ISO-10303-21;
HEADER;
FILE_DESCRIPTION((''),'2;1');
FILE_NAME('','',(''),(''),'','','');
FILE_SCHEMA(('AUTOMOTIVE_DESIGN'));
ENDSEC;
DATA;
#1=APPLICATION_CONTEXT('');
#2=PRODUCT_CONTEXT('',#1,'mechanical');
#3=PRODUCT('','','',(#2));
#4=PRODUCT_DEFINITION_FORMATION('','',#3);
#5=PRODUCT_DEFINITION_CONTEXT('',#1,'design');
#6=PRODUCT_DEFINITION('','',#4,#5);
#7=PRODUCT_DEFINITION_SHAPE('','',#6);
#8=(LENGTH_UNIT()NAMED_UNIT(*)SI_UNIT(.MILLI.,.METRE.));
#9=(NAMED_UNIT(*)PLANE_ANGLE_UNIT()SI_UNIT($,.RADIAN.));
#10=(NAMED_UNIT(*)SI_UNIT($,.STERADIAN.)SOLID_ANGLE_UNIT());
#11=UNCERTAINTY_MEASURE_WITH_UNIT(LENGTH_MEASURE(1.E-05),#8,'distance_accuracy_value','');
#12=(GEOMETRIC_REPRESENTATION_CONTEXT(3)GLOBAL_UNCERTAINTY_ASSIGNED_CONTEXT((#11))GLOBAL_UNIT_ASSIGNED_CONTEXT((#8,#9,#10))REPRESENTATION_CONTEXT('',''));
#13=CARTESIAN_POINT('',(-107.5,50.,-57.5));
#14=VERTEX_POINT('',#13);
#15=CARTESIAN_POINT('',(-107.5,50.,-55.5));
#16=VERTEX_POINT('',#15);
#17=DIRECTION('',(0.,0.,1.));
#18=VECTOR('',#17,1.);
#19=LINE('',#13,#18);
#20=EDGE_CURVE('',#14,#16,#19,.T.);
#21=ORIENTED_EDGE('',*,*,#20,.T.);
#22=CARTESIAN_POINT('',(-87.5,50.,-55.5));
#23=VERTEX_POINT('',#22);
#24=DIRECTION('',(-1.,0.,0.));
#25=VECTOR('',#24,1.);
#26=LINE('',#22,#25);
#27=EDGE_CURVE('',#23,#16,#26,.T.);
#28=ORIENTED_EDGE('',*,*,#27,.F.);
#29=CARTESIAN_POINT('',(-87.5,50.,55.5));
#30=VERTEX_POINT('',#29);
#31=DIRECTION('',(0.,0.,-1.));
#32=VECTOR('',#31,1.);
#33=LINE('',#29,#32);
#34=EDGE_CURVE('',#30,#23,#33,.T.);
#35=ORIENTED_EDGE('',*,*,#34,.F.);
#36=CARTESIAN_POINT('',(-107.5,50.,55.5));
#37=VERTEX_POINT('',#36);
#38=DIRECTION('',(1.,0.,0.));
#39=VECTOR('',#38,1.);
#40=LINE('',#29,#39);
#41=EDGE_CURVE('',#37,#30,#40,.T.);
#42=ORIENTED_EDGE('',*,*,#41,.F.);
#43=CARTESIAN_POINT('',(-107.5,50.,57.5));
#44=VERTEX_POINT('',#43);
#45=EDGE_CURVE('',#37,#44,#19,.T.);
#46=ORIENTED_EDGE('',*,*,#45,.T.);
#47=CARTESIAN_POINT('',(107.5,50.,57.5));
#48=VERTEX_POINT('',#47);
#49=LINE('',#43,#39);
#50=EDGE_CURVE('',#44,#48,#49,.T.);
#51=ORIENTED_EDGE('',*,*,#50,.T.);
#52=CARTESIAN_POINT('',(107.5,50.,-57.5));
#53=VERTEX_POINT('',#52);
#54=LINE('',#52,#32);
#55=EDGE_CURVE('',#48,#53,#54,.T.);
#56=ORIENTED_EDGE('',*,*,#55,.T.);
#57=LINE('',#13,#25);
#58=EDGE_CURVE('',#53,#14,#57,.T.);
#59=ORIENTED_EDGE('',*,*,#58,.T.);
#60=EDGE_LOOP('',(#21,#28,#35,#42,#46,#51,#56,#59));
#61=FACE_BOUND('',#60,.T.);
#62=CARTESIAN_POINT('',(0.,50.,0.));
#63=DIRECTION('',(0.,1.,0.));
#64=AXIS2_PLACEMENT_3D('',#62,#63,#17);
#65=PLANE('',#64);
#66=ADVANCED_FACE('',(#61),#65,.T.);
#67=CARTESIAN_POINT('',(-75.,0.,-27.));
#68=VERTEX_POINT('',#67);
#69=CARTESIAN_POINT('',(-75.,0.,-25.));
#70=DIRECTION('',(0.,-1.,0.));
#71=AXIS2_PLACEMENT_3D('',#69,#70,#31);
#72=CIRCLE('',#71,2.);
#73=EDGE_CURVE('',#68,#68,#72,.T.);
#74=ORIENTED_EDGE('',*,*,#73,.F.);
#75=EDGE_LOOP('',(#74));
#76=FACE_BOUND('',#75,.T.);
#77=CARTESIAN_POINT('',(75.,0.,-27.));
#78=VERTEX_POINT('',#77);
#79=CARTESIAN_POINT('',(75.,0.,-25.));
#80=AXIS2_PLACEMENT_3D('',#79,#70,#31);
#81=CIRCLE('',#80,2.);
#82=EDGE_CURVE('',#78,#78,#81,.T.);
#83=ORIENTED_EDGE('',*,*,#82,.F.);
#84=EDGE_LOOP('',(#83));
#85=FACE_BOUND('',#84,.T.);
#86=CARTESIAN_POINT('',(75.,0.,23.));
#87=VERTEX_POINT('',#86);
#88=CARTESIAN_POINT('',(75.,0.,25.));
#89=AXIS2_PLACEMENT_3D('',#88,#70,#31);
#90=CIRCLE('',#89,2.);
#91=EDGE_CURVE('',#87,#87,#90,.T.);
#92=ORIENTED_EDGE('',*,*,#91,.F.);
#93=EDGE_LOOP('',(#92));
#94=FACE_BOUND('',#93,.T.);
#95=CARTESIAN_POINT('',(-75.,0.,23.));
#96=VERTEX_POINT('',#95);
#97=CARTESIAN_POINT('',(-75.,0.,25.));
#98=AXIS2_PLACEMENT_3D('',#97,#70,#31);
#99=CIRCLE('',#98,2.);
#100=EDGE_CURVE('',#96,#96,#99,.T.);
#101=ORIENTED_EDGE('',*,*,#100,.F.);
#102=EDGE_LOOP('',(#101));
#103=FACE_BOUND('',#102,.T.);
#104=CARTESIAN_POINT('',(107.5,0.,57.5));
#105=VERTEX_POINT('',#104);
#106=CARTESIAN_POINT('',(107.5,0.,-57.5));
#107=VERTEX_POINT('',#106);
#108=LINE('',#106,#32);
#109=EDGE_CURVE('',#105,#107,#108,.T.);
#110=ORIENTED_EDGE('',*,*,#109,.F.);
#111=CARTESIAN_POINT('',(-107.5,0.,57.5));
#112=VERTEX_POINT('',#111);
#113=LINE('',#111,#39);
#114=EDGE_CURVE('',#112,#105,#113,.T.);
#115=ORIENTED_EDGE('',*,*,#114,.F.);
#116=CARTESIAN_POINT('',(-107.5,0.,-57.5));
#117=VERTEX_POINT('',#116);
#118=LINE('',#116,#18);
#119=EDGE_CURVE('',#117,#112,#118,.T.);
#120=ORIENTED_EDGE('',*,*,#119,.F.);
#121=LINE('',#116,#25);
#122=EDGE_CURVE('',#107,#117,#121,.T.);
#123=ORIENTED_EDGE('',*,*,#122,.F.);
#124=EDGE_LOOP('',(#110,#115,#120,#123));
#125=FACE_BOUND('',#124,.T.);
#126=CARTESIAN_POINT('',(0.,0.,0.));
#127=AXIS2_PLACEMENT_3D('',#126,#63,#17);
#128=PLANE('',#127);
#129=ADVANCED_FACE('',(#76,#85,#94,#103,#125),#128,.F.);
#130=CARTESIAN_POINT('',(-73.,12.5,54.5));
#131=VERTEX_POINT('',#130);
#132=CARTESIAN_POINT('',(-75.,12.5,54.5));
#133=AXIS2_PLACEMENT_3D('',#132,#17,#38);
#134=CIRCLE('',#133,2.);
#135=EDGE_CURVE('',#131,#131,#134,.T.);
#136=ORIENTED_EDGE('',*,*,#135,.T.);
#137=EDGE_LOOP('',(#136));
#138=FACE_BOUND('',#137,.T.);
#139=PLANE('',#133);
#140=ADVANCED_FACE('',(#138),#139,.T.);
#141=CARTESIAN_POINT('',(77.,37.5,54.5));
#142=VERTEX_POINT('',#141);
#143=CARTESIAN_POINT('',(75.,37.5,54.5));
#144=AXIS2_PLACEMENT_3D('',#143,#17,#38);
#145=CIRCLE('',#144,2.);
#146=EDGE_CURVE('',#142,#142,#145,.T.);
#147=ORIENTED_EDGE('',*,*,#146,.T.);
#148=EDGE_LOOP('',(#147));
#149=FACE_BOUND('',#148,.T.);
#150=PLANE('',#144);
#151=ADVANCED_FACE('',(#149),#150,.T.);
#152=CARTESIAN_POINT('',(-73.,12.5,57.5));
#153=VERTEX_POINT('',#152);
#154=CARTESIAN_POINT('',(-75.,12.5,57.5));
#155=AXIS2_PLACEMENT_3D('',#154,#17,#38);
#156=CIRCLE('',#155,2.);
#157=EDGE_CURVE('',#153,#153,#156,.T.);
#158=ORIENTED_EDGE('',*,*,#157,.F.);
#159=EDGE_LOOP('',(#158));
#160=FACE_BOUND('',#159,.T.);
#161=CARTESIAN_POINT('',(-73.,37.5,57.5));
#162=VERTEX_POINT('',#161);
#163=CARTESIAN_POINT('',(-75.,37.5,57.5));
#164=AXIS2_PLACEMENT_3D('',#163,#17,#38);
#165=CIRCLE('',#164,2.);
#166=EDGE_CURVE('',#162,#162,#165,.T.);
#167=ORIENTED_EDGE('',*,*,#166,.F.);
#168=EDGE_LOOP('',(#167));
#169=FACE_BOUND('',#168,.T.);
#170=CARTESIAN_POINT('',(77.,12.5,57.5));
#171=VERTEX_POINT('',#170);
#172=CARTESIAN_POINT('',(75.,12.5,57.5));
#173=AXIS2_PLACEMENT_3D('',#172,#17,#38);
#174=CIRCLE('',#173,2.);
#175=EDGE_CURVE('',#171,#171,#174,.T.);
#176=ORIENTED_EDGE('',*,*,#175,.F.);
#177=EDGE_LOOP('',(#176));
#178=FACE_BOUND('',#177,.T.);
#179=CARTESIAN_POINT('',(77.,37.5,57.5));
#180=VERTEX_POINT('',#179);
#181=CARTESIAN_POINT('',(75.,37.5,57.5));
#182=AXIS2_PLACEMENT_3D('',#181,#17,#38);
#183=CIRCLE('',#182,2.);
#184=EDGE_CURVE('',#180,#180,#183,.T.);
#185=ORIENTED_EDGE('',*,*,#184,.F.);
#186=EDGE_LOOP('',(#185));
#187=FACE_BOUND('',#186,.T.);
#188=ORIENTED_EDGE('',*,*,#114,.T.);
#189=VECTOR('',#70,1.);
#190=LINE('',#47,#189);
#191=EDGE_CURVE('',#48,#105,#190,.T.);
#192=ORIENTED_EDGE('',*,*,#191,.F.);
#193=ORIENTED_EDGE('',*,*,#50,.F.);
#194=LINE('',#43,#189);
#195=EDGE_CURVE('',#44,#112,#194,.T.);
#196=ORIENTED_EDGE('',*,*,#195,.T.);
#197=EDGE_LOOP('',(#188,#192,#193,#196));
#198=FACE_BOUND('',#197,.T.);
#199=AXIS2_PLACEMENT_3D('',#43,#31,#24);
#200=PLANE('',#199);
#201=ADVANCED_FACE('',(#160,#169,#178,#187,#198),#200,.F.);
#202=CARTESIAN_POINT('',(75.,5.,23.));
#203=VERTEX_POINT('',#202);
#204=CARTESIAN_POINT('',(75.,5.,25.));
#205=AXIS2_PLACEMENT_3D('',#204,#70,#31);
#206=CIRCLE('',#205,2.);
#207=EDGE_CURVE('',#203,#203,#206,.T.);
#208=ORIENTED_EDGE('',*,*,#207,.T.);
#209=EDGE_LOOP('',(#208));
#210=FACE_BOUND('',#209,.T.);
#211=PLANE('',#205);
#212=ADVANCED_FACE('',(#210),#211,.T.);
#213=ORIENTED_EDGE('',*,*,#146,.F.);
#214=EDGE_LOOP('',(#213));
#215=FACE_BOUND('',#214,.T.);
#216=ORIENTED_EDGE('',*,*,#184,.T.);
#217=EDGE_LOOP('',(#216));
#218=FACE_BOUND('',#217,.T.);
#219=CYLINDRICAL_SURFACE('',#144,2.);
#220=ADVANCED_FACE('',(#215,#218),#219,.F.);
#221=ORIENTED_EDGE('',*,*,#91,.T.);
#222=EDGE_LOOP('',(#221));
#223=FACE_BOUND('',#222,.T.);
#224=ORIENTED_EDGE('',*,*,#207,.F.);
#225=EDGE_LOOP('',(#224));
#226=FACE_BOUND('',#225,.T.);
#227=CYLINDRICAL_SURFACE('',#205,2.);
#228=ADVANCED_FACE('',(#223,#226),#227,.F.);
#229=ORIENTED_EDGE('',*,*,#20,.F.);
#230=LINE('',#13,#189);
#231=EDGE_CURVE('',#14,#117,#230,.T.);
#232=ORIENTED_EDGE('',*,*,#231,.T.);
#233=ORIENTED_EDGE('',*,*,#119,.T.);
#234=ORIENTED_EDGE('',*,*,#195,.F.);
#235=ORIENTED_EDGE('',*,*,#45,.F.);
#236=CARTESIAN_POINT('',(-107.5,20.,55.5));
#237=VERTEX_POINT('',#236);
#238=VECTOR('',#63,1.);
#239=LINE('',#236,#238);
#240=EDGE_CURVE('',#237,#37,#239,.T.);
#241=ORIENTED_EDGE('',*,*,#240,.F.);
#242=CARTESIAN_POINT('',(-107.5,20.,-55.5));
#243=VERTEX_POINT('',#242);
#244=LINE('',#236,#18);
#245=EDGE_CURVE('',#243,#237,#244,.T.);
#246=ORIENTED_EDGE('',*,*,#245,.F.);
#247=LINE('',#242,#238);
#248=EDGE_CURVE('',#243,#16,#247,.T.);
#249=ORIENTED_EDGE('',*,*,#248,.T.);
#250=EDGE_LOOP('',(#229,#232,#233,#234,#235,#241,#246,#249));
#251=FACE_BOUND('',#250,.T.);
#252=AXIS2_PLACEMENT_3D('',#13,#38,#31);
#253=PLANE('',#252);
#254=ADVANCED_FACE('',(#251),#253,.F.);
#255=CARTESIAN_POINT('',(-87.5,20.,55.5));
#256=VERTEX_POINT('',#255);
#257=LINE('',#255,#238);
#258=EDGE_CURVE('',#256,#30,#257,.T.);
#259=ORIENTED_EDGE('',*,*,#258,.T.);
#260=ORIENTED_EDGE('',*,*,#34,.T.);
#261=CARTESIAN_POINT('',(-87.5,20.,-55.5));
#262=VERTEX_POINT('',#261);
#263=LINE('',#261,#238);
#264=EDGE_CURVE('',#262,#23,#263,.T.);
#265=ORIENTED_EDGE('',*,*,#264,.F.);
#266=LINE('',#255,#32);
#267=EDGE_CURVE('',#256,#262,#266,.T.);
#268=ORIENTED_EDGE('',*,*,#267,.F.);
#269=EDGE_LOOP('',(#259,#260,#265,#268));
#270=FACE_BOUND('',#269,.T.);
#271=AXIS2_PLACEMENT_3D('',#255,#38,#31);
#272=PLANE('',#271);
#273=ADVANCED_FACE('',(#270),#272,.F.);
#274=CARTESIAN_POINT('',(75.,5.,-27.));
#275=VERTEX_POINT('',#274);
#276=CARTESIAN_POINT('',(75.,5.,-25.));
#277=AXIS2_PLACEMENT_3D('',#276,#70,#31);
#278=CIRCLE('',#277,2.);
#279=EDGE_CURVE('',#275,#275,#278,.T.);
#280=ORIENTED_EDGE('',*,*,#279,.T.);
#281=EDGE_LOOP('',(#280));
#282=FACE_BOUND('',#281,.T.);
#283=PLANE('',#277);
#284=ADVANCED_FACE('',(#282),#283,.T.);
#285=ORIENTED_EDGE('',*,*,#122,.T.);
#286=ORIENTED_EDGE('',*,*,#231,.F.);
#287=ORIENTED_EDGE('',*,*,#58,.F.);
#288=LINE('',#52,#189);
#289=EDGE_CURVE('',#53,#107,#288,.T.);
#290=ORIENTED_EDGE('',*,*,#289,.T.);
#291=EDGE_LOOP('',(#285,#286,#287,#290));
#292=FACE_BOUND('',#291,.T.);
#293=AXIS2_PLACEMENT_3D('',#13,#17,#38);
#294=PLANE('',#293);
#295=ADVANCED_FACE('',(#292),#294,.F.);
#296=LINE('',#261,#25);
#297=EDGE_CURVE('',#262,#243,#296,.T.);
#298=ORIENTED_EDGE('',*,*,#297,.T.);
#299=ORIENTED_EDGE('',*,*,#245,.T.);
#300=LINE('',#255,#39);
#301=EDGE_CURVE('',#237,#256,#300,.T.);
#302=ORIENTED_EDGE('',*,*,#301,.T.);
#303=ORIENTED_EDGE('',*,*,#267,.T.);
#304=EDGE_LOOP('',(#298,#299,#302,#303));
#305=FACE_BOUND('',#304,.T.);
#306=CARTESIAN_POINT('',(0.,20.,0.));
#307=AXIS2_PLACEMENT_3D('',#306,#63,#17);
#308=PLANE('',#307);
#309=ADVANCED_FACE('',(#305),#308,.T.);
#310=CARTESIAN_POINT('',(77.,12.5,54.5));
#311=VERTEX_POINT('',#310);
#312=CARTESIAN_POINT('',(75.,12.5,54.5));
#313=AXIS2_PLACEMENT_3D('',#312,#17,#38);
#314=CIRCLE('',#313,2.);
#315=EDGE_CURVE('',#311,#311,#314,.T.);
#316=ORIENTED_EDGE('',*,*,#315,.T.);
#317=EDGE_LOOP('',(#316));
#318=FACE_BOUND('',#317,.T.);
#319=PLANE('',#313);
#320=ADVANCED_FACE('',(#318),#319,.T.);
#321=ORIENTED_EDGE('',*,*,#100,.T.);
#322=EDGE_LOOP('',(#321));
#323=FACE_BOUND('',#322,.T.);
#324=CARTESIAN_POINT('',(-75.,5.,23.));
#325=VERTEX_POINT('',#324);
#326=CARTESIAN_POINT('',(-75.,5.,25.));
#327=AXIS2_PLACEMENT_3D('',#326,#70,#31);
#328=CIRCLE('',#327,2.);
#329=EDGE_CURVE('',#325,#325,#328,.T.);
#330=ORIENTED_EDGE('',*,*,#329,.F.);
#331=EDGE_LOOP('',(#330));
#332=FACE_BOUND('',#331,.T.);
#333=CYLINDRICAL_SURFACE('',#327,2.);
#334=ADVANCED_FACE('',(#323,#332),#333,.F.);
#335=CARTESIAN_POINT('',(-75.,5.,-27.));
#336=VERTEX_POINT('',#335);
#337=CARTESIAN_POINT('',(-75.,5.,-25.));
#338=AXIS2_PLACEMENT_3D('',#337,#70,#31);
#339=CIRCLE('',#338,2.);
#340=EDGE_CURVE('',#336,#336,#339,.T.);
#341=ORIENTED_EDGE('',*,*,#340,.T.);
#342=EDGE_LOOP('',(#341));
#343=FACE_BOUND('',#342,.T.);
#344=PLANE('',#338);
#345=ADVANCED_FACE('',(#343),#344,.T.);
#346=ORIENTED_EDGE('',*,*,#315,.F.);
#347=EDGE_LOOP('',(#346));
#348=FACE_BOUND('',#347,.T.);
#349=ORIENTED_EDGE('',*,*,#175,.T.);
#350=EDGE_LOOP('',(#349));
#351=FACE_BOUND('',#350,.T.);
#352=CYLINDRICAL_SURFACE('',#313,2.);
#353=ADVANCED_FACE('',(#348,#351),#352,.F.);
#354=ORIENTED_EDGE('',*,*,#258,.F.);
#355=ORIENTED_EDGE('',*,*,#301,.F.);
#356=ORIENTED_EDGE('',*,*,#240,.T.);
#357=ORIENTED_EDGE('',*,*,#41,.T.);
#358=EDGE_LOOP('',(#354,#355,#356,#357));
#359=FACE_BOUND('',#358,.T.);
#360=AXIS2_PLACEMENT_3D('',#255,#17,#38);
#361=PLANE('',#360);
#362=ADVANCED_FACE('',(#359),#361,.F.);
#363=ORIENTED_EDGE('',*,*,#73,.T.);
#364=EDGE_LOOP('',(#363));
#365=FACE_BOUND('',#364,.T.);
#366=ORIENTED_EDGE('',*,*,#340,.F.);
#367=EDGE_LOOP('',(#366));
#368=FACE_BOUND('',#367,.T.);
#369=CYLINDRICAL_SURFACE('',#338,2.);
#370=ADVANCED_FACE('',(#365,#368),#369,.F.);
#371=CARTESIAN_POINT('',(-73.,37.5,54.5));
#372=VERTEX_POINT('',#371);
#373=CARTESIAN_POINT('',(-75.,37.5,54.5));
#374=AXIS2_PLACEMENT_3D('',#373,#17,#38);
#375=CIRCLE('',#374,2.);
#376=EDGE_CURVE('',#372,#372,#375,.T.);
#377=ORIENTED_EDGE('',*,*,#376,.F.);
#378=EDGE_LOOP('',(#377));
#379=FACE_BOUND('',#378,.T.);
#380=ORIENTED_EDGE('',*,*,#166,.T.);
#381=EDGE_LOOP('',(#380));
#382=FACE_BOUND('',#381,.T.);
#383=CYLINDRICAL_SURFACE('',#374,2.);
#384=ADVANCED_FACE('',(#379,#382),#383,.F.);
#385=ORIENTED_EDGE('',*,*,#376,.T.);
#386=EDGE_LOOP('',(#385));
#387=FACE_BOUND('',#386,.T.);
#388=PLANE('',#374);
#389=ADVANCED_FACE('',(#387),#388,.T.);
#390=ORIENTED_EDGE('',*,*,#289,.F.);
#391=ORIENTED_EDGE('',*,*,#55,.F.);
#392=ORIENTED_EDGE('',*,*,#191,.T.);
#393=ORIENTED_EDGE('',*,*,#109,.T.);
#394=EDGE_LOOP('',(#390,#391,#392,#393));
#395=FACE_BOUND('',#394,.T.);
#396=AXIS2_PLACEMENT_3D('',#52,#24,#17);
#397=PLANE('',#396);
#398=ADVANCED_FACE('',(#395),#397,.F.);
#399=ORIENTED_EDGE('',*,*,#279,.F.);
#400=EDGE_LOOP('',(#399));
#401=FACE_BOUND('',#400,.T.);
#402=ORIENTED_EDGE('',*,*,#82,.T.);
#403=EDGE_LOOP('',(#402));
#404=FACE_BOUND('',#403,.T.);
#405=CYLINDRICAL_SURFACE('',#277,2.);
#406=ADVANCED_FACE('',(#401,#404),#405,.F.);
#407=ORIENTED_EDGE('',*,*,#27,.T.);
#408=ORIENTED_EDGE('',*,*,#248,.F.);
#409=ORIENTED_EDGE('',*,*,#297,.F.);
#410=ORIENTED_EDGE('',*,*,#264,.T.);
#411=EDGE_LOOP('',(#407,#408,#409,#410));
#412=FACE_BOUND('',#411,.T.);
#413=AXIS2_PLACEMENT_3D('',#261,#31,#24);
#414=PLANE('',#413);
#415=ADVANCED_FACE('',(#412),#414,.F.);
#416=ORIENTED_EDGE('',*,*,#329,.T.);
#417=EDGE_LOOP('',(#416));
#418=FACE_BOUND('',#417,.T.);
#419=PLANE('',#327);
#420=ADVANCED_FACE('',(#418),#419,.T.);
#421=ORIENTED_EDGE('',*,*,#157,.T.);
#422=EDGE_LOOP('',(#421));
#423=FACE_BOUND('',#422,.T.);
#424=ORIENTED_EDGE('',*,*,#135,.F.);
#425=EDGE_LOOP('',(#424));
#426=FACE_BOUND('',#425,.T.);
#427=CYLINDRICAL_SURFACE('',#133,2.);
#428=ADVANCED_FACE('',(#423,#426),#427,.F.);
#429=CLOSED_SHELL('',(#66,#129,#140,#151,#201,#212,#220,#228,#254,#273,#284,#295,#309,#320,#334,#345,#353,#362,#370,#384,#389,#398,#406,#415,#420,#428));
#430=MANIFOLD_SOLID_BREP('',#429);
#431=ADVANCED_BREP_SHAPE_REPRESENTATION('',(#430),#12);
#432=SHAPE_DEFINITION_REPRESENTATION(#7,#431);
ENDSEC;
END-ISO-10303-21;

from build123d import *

# Parameters (mm, degrees)
SKETCH1_W           = 215
SKETCH1_H           = 115
BOSS_EXTRUDE1_DEPTH = 50
SKETCH2_W           = 20
SKETCH2_H           = 111
CUT_EXTRUDE1_DEPTH  = 30
SKETCH3_R           = 2
CUT_EXTRUDE2_DEPTH  = 5
SKETCH4_R           = 2
CUT_EXTRUDE3_DEPTH  = 3


with BuildPart() as part:
    # Sketch1 → Boss-Extrude1 (new body)
    with BuildSketch(Plane(origin=(0, 0, 0), x_dir=(1, 0, 0), z_dir=(0, 1, 0))):
        Rectangle(SKETCH1_W, SKETCH1_H)
    extrude(amount=BOSS_EXTRUDE1_DEPTH)

    # Sketch2 → Cut-Extrude1 (cut)
    with BuildSketch(Plane(origin=(0, 50, 0), x_dir=(1, 0, 0), z_dir=(0, 1, 0))):
        with Locations((-97.5, 0)):
            Rectangle(SKETCH2_W, SKETCH2_H)
    extrude(amount=-CUT_EXTRUDE1_DEPTH, mode=Mode.SUBTRACT)

    # Sketch3 → Cut-Extrude2 (cut)
    with BuildSketch(Plane.XZ):
        with Locations(Location((-75, 25, 0), (0, 0, 270))):
            Circle(SKETCH3_R)
        with Locations(Location((75, 25, 0), (0, 0, 270))):
            Circle(SKETCH3_R)
        with Locations(Location((75, -25, 0), (0, 0, 270))):
            Circle(SKETCH3_R)
        with Locations(Location((-75, -25, 0), (0, 0, 270))):
            Circle(SKETCH3_R)
    extrude(amount=-CUT_EXTRUDE2_DEPTH, mode=Mode.SUBTRACT)

    # Sketch4 → Cut-Extrude3 (cut)
    with BuildSketch(Plane.XY.offset(57.5)):
        with Locations((-75, 12.5)):
            Circle(SKETCH4_R)
        with Locations((-75, 37.5)):
            Circle(SKETCH4_R)
        with Locations((75, 37.5)):
            Circle(SKETCH4_R)
        with Locations((75, 12.5)):
            Circle(SKETCH4_R)
    extrude(amount=-CUT_EXTRUDE3_DEPTH, mode=Mode.SUBTRACT)


solid = part.part
